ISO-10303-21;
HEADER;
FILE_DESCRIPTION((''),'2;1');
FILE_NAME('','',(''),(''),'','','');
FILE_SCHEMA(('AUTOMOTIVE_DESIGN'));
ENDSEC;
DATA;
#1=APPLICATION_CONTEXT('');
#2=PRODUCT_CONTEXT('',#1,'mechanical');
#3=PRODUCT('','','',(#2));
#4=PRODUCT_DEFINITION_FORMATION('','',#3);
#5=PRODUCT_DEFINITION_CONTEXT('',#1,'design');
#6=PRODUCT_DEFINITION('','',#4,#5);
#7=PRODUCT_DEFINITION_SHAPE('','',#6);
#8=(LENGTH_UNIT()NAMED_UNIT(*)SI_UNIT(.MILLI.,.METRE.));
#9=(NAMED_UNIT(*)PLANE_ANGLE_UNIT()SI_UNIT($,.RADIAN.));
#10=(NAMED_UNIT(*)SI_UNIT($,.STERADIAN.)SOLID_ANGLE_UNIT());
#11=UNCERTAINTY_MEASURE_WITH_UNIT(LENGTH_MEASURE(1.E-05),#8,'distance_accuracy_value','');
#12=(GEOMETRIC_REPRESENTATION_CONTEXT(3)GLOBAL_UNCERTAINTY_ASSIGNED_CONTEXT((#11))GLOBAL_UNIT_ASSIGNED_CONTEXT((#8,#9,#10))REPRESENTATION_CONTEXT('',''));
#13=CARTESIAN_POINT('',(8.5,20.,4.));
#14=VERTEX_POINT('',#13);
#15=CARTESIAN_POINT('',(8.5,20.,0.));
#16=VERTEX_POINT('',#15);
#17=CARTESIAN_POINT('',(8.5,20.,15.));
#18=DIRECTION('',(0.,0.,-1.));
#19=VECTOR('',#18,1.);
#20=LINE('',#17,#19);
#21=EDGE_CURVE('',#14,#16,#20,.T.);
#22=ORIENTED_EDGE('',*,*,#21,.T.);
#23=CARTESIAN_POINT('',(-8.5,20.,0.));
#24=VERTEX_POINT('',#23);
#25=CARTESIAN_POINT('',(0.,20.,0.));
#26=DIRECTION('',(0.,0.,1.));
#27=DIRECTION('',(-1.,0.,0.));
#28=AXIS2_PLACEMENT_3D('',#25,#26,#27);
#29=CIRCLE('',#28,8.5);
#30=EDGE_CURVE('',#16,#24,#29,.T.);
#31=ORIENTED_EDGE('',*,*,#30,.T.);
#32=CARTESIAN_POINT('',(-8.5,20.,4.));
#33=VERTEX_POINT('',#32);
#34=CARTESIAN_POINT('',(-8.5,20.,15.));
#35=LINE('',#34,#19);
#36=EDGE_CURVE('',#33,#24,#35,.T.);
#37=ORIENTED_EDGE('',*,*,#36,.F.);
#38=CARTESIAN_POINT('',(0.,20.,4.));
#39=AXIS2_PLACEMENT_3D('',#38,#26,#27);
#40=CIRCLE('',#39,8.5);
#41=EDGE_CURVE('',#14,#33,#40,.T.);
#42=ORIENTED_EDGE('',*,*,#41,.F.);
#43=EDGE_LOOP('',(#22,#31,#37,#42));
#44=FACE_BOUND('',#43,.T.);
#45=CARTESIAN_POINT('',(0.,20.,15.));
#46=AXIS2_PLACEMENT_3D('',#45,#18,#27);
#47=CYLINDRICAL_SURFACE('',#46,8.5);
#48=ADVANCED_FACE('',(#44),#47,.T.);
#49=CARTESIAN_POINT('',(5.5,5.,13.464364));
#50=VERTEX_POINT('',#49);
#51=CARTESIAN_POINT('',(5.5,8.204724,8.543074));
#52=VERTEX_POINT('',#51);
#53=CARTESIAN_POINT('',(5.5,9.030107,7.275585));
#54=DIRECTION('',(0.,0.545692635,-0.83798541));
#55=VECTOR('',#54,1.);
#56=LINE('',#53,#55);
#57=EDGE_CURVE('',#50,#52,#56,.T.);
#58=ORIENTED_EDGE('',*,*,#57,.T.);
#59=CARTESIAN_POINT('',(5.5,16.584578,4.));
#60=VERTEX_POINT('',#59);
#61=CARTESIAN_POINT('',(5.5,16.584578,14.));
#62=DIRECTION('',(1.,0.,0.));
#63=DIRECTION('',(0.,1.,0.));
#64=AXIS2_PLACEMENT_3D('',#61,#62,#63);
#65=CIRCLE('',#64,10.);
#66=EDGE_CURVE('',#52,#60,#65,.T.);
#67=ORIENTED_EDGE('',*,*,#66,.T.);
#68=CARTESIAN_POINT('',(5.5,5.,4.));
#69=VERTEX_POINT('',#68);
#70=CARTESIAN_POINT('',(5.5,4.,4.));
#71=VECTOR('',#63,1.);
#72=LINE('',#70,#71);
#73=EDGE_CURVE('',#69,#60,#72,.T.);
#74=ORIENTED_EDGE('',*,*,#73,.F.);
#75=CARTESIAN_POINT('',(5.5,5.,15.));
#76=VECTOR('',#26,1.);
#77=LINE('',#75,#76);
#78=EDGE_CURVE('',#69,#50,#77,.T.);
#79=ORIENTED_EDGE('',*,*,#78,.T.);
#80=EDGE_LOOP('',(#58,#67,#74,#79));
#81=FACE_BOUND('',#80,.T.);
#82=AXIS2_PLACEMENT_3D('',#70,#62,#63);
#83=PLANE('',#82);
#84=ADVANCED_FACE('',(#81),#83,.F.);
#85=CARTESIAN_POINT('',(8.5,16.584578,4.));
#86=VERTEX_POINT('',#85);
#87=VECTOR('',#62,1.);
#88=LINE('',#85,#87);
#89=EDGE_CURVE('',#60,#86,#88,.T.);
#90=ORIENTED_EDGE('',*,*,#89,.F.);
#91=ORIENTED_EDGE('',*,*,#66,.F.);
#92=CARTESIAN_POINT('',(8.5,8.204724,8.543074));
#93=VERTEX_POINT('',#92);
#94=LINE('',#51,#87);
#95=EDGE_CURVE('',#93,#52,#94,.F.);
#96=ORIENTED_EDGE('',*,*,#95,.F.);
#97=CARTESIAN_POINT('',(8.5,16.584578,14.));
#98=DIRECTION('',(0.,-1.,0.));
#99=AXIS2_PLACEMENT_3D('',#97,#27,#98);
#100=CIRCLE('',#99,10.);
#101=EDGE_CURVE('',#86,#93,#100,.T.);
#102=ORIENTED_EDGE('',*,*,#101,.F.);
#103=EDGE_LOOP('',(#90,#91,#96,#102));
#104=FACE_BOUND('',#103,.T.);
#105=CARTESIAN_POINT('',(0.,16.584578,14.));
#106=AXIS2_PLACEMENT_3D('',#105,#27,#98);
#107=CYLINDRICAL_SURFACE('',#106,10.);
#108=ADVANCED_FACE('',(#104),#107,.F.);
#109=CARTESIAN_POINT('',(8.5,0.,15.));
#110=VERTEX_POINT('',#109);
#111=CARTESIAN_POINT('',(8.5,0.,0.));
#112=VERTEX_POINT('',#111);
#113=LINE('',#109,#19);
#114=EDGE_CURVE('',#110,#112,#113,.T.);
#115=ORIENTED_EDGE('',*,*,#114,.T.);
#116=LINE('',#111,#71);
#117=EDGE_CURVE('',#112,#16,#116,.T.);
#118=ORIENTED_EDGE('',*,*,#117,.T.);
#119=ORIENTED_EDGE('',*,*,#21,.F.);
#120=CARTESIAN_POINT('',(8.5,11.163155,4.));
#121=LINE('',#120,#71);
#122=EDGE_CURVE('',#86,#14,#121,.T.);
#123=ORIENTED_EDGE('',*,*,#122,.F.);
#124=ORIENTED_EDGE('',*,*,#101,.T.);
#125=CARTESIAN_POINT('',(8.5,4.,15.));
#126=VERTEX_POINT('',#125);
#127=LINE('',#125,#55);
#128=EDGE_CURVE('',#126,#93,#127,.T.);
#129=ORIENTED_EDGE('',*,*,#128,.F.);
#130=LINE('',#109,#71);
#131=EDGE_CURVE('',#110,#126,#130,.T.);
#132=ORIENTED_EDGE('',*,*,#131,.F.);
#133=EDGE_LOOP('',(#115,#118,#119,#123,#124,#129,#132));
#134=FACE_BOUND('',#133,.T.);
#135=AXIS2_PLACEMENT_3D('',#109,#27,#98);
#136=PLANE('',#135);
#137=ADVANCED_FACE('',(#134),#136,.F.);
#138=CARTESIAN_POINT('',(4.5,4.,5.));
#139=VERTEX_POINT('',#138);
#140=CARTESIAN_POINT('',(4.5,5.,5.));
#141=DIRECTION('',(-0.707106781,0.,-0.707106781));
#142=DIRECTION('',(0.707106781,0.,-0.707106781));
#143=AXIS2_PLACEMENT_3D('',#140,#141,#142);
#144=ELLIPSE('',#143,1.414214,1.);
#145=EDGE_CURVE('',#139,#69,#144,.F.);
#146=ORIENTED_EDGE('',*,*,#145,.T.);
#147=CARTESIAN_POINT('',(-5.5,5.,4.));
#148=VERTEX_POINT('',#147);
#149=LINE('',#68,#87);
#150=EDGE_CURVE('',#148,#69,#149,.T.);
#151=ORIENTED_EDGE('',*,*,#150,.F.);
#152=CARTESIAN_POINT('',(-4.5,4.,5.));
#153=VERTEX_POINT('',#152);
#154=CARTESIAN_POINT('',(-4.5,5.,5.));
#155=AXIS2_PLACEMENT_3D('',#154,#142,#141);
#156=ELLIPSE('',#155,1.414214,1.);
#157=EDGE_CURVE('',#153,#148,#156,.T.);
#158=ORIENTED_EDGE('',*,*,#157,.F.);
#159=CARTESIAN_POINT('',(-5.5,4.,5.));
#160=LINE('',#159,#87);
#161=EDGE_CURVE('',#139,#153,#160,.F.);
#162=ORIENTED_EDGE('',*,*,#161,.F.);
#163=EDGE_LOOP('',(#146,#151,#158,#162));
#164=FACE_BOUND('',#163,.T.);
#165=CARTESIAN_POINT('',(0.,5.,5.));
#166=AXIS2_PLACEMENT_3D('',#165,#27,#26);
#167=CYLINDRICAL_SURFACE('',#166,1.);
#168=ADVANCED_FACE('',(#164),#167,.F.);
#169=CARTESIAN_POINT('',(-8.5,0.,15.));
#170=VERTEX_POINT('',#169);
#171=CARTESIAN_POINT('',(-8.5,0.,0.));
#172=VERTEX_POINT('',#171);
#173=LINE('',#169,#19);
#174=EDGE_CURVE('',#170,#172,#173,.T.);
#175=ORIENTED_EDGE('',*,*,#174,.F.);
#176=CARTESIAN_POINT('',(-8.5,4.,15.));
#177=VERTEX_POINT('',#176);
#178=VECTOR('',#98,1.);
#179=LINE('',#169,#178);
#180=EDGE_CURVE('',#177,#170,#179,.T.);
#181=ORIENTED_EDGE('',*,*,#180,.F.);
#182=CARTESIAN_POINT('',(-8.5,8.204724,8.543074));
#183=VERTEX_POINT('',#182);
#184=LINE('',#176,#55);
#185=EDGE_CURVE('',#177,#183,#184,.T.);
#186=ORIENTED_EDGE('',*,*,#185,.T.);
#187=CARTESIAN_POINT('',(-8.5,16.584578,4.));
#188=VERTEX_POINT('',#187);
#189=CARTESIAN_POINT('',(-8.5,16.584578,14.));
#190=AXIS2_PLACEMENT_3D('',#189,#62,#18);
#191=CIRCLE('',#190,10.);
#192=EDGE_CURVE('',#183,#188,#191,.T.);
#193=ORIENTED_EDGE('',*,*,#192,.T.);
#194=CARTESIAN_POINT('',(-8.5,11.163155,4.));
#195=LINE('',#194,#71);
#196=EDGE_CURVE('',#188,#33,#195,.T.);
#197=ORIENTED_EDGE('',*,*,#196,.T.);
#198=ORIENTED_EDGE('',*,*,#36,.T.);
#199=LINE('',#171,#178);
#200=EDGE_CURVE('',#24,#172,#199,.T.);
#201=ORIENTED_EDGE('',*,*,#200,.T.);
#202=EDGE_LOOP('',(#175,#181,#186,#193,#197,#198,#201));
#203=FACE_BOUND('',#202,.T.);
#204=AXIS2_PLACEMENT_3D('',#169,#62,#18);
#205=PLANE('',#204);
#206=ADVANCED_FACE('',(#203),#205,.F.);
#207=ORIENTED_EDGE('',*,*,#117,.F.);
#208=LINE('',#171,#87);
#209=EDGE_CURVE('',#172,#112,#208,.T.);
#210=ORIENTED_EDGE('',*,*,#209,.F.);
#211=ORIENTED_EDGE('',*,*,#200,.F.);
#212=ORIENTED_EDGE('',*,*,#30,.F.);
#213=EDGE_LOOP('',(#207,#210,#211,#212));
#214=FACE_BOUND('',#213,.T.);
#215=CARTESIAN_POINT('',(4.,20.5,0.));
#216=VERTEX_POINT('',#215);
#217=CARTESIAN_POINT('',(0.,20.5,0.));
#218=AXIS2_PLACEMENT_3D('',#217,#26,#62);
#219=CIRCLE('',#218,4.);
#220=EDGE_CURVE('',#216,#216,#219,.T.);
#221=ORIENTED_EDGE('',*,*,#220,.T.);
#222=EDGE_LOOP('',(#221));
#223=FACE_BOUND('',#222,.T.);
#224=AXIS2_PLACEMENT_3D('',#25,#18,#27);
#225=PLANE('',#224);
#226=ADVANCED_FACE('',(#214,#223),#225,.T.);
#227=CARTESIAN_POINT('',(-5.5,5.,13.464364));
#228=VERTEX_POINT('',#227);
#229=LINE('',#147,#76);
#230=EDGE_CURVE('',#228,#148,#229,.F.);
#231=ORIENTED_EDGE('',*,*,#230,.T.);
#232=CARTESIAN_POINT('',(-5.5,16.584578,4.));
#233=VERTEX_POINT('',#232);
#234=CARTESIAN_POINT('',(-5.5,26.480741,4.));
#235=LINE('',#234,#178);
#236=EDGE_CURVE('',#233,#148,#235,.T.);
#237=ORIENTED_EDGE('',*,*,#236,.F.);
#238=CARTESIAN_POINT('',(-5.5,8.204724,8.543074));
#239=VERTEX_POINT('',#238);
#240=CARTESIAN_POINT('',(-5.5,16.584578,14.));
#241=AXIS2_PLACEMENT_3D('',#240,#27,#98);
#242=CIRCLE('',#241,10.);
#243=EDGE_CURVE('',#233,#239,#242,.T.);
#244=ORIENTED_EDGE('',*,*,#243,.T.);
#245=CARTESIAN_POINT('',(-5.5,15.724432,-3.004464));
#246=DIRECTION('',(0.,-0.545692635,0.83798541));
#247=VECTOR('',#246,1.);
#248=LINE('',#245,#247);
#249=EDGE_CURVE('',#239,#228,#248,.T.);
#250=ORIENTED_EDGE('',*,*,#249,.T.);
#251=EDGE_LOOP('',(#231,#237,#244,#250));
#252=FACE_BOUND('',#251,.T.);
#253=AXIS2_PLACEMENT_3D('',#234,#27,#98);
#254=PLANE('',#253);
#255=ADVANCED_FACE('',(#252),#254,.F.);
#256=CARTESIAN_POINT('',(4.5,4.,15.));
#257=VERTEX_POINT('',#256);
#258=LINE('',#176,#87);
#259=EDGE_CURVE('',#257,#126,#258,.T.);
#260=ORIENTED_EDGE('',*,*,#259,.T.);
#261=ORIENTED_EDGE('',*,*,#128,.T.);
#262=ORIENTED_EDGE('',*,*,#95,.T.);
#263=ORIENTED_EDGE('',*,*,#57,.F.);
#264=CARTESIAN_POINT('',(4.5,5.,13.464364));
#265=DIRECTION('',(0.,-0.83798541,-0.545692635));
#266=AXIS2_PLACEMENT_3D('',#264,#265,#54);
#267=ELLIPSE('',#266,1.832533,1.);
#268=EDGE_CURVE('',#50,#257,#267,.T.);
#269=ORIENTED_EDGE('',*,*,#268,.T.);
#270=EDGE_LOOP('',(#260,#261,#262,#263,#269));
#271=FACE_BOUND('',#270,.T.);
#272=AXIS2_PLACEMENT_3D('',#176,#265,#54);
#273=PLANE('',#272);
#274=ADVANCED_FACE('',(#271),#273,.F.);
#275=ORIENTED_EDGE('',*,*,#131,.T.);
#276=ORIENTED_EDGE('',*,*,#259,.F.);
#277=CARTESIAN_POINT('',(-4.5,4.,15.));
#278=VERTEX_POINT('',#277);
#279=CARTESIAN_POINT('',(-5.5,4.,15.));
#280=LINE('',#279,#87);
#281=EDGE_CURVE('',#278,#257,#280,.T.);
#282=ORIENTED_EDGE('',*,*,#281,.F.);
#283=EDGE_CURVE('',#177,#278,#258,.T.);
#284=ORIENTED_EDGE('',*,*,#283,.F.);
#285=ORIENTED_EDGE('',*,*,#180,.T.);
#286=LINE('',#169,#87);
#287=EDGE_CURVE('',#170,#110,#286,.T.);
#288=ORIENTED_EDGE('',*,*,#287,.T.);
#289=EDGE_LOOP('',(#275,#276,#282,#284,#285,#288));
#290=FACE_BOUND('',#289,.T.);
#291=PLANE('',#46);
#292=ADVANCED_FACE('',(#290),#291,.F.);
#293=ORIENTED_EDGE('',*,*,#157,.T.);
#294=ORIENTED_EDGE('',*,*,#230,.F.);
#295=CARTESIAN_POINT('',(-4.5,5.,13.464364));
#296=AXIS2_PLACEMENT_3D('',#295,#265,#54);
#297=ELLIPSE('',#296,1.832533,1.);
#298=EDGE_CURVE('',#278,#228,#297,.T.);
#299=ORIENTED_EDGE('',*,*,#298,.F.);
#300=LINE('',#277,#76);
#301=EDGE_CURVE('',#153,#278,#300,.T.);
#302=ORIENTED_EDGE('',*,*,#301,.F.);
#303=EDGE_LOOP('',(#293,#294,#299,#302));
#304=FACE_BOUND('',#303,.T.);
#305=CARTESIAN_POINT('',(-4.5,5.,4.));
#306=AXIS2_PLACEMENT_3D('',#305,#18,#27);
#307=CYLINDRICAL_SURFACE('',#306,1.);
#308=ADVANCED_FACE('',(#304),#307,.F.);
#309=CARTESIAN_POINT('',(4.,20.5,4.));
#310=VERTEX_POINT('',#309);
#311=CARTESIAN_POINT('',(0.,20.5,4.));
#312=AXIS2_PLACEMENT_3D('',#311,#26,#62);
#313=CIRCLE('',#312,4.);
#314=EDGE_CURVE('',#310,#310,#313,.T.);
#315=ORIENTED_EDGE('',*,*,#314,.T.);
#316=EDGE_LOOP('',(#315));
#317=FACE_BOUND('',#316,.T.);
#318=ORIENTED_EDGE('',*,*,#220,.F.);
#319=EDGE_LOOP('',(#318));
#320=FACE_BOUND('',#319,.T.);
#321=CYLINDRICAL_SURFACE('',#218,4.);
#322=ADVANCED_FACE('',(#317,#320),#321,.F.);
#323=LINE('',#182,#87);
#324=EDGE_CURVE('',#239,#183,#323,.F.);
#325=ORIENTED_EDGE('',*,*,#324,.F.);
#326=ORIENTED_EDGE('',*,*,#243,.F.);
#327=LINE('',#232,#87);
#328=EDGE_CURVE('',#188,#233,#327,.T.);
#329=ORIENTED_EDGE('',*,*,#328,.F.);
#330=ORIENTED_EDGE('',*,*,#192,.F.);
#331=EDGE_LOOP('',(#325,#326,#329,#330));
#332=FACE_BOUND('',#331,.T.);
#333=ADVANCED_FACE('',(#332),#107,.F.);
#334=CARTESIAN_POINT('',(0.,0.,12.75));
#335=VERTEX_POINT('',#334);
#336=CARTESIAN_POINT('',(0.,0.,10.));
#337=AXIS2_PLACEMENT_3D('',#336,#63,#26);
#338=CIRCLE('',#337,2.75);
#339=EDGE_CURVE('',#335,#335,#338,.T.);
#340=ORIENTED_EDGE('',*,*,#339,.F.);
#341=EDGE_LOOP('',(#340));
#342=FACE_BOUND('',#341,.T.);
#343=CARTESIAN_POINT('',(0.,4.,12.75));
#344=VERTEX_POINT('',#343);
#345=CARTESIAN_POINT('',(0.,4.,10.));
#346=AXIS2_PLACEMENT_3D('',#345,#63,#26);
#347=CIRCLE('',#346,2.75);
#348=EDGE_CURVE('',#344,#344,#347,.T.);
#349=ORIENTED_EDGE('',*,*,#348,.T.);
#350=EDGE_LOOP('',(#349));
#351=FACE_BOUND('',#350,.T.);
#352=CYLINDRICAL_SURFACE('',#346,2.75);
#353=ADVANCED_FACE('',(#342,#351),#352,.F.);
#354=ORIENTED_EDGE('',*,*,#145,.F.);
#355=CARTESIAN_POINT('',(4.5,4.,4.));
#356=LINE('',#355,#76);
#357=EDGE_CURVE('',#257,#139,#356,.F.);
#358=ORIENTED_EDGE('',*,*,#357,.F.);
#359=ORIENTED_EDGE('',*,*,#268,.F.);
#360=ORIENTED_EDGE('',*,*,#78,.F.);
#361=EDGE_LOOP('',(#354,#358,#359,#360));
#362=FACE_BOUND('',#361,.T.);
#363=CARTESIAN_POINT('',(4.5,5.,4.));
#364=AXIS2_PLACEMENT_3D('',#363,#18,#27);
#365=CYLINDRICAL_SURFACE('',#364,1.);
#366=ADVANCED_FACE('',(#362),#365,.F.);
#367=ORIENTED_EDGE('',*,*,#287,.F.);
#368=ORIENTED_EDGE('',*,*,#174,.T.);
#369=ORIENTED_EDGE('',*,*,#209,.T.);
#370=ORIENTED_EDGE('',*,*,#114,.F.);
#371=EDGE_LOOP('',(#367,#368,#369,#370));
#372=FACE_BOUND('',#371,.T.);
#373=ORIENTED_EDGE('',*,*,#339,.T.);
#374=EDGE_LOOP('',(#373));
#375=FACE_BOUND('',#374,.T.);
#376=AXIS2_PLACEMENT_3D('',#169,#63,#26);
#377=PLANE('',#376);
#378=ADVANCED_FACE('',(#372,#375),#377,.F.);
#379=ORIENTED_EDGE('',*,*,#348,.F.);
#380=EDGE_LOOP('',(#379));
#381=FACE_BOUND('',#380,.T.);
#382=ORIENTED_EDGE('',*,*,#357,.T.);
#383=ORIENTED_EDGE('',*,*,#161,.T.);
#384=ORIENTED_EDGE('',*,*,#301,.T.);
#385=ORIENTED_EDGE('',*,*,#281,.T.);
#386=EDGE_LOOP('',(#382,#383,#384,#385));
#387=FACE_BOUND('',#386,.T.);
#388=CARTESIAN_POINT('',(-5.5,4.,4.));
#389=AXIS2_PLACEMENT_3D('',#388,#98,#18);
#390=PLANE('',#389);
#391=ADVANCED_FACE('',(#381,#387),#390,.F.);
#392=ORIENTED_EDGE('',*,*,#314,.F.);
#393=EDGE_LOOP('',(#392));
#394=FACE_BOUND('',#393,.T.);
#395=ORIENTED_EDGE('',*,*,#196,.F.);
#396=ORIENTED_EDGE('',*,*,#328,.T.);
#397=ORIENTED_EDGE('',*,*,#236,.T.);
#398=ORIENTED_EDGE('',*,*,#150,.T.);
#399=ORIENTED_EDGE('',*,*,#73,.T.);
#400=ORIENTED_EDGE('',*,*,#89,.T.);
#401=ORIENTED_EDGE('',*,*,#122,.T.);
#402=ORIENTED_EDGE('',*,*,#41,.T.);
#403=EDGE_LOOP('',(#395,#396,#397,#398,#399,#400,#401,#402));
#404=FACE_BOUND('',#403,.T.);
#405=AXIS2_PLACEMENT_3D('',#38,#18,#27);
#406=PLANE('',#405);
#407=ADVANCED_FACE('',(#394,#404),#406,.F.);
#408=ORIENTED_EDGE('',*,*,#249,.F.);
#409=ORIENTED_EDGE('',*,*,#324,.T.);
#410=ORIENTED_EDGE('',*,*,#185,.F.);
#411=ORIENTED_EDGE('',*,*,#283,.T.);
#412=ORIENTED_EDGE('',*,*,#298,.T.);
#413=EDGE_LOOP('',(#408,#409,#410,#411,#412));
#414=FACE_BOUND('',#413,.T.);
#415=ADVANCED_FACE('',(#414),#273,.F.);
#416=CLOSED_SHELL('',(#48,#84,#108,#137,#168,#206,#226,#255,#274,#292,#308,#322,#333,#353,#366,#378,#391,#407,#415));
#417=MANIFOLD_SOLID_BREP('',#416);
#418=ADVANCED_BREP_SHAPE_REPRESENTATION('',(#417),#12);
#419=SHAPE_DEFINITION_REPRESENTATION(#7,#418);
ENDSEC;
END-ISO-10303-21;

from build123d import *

# Parameters (mm, degrees)
RESSALTO_EXTRUS_O1_DEPTH = 15
CORTE_EXTRUS_O1_START    = -11
CORTE_EXTRUS_O1_DEPTH    = 11
CORTE_EXTRUS_O2_DEPTH    = 37.417715469
FILETE1_R                = 10
FILETE2_R                = 1
FURO_COM_FOLGA_DE_M51_D  = 5.5
ESBO_O7_R                = 4
CORTE_EXTRUS_O3_DEPTH    = 32.709619991


with BuildPart() as part:
    # Esboço1 → Ressalto-extrusão1 (new body)
    with BuildSketch(Plane.XY):
        with BuildLine():
            Line((-8.5, 0), (8.5, 0))
            Line((8.5, 0), (8.5, 20))
            ThreePointArc((8.5, 20), (0, 28.5), (-8.5, 20))
            Line((-8.5, 20), (-8.5, 0))
        make_face()
    extrude(amount=RESSALTO_EXTRUS_O1_DEPTH)

    # Esboço2 → Corte-extrusão1 (cut)
    with BuildSketch(Plane.XY.offset(15).offset(CORTE_EXTRUS_O1_START)):
        with BuildLine():
            Line((-5.5, 4), (5.5, 4))
            Line((5.5, 4), (5.5, 26.480740698))
            ThreePointArc((5.5, 26.480740698), (0, 28.5), (-5.5, 26.480740698))
            Line((-5.5, 26.480740698), (-5.5, 4))
        make_face()
    extrude(amount=CORTE_EXTRUS_O1_DEPTH, mode=Mode.SUBTRACT)

    # Esboço3 → Corte-extrusão2 (cut, through all)
    with BuildSketch(Plane(origin=(8.5, 0, 0), x_dir=(0, 0, -1), z_dir=(1, 0, 0))):
        Polygon((-15, 4), (-4, 11.163154524), (-4, 28.5), (-15, 28.5), align=None)
    extrude(amount=-CORTE_EXTRUS_O2_DEPTH, mode=Mode.SUBTRACT)

    # Filete1
    filete1_edges = [part.edges().sort_by_distance(p)[0] for p in [
        (-7, 11.163154524, 4),
        (7, 11.163154524, 4),
    ]]
    fillet(filete1_edges, radius=FILETE1_R)

    # Filete2
    filete2_edges = [part.edges().sort_by_distance(p)[0] for p in [
        (-5.5, 4, 9.5),
        (0, 4, 4),
        (5.5, 4, 9.5),
    ]]
    fillet(filete2_edges, radius=FILETE2_R)

    # Furo com folga de M51 (through all)
    with Locations(Plane(origin=(0, 4, 0), x_dir=(1, 0, 0), z_dir=(0, 1, 0))):
        with Locations((0, -10)):
            Hole(FURO_COM_FOLGA_DE_M51_D / 2)

    # Esboço7 → Corte-extrusão3 (cut, through all)
    with BuildSketch(Plane.XY.offset(4)):
        with Locations((0, 20.5)):
            Circle(ESBO_O7_R)
    extrude(amount=-CORTE_EXTRUS_O3_DEPTH, mode=Mode.SUBTRACT)


solid = part.part
